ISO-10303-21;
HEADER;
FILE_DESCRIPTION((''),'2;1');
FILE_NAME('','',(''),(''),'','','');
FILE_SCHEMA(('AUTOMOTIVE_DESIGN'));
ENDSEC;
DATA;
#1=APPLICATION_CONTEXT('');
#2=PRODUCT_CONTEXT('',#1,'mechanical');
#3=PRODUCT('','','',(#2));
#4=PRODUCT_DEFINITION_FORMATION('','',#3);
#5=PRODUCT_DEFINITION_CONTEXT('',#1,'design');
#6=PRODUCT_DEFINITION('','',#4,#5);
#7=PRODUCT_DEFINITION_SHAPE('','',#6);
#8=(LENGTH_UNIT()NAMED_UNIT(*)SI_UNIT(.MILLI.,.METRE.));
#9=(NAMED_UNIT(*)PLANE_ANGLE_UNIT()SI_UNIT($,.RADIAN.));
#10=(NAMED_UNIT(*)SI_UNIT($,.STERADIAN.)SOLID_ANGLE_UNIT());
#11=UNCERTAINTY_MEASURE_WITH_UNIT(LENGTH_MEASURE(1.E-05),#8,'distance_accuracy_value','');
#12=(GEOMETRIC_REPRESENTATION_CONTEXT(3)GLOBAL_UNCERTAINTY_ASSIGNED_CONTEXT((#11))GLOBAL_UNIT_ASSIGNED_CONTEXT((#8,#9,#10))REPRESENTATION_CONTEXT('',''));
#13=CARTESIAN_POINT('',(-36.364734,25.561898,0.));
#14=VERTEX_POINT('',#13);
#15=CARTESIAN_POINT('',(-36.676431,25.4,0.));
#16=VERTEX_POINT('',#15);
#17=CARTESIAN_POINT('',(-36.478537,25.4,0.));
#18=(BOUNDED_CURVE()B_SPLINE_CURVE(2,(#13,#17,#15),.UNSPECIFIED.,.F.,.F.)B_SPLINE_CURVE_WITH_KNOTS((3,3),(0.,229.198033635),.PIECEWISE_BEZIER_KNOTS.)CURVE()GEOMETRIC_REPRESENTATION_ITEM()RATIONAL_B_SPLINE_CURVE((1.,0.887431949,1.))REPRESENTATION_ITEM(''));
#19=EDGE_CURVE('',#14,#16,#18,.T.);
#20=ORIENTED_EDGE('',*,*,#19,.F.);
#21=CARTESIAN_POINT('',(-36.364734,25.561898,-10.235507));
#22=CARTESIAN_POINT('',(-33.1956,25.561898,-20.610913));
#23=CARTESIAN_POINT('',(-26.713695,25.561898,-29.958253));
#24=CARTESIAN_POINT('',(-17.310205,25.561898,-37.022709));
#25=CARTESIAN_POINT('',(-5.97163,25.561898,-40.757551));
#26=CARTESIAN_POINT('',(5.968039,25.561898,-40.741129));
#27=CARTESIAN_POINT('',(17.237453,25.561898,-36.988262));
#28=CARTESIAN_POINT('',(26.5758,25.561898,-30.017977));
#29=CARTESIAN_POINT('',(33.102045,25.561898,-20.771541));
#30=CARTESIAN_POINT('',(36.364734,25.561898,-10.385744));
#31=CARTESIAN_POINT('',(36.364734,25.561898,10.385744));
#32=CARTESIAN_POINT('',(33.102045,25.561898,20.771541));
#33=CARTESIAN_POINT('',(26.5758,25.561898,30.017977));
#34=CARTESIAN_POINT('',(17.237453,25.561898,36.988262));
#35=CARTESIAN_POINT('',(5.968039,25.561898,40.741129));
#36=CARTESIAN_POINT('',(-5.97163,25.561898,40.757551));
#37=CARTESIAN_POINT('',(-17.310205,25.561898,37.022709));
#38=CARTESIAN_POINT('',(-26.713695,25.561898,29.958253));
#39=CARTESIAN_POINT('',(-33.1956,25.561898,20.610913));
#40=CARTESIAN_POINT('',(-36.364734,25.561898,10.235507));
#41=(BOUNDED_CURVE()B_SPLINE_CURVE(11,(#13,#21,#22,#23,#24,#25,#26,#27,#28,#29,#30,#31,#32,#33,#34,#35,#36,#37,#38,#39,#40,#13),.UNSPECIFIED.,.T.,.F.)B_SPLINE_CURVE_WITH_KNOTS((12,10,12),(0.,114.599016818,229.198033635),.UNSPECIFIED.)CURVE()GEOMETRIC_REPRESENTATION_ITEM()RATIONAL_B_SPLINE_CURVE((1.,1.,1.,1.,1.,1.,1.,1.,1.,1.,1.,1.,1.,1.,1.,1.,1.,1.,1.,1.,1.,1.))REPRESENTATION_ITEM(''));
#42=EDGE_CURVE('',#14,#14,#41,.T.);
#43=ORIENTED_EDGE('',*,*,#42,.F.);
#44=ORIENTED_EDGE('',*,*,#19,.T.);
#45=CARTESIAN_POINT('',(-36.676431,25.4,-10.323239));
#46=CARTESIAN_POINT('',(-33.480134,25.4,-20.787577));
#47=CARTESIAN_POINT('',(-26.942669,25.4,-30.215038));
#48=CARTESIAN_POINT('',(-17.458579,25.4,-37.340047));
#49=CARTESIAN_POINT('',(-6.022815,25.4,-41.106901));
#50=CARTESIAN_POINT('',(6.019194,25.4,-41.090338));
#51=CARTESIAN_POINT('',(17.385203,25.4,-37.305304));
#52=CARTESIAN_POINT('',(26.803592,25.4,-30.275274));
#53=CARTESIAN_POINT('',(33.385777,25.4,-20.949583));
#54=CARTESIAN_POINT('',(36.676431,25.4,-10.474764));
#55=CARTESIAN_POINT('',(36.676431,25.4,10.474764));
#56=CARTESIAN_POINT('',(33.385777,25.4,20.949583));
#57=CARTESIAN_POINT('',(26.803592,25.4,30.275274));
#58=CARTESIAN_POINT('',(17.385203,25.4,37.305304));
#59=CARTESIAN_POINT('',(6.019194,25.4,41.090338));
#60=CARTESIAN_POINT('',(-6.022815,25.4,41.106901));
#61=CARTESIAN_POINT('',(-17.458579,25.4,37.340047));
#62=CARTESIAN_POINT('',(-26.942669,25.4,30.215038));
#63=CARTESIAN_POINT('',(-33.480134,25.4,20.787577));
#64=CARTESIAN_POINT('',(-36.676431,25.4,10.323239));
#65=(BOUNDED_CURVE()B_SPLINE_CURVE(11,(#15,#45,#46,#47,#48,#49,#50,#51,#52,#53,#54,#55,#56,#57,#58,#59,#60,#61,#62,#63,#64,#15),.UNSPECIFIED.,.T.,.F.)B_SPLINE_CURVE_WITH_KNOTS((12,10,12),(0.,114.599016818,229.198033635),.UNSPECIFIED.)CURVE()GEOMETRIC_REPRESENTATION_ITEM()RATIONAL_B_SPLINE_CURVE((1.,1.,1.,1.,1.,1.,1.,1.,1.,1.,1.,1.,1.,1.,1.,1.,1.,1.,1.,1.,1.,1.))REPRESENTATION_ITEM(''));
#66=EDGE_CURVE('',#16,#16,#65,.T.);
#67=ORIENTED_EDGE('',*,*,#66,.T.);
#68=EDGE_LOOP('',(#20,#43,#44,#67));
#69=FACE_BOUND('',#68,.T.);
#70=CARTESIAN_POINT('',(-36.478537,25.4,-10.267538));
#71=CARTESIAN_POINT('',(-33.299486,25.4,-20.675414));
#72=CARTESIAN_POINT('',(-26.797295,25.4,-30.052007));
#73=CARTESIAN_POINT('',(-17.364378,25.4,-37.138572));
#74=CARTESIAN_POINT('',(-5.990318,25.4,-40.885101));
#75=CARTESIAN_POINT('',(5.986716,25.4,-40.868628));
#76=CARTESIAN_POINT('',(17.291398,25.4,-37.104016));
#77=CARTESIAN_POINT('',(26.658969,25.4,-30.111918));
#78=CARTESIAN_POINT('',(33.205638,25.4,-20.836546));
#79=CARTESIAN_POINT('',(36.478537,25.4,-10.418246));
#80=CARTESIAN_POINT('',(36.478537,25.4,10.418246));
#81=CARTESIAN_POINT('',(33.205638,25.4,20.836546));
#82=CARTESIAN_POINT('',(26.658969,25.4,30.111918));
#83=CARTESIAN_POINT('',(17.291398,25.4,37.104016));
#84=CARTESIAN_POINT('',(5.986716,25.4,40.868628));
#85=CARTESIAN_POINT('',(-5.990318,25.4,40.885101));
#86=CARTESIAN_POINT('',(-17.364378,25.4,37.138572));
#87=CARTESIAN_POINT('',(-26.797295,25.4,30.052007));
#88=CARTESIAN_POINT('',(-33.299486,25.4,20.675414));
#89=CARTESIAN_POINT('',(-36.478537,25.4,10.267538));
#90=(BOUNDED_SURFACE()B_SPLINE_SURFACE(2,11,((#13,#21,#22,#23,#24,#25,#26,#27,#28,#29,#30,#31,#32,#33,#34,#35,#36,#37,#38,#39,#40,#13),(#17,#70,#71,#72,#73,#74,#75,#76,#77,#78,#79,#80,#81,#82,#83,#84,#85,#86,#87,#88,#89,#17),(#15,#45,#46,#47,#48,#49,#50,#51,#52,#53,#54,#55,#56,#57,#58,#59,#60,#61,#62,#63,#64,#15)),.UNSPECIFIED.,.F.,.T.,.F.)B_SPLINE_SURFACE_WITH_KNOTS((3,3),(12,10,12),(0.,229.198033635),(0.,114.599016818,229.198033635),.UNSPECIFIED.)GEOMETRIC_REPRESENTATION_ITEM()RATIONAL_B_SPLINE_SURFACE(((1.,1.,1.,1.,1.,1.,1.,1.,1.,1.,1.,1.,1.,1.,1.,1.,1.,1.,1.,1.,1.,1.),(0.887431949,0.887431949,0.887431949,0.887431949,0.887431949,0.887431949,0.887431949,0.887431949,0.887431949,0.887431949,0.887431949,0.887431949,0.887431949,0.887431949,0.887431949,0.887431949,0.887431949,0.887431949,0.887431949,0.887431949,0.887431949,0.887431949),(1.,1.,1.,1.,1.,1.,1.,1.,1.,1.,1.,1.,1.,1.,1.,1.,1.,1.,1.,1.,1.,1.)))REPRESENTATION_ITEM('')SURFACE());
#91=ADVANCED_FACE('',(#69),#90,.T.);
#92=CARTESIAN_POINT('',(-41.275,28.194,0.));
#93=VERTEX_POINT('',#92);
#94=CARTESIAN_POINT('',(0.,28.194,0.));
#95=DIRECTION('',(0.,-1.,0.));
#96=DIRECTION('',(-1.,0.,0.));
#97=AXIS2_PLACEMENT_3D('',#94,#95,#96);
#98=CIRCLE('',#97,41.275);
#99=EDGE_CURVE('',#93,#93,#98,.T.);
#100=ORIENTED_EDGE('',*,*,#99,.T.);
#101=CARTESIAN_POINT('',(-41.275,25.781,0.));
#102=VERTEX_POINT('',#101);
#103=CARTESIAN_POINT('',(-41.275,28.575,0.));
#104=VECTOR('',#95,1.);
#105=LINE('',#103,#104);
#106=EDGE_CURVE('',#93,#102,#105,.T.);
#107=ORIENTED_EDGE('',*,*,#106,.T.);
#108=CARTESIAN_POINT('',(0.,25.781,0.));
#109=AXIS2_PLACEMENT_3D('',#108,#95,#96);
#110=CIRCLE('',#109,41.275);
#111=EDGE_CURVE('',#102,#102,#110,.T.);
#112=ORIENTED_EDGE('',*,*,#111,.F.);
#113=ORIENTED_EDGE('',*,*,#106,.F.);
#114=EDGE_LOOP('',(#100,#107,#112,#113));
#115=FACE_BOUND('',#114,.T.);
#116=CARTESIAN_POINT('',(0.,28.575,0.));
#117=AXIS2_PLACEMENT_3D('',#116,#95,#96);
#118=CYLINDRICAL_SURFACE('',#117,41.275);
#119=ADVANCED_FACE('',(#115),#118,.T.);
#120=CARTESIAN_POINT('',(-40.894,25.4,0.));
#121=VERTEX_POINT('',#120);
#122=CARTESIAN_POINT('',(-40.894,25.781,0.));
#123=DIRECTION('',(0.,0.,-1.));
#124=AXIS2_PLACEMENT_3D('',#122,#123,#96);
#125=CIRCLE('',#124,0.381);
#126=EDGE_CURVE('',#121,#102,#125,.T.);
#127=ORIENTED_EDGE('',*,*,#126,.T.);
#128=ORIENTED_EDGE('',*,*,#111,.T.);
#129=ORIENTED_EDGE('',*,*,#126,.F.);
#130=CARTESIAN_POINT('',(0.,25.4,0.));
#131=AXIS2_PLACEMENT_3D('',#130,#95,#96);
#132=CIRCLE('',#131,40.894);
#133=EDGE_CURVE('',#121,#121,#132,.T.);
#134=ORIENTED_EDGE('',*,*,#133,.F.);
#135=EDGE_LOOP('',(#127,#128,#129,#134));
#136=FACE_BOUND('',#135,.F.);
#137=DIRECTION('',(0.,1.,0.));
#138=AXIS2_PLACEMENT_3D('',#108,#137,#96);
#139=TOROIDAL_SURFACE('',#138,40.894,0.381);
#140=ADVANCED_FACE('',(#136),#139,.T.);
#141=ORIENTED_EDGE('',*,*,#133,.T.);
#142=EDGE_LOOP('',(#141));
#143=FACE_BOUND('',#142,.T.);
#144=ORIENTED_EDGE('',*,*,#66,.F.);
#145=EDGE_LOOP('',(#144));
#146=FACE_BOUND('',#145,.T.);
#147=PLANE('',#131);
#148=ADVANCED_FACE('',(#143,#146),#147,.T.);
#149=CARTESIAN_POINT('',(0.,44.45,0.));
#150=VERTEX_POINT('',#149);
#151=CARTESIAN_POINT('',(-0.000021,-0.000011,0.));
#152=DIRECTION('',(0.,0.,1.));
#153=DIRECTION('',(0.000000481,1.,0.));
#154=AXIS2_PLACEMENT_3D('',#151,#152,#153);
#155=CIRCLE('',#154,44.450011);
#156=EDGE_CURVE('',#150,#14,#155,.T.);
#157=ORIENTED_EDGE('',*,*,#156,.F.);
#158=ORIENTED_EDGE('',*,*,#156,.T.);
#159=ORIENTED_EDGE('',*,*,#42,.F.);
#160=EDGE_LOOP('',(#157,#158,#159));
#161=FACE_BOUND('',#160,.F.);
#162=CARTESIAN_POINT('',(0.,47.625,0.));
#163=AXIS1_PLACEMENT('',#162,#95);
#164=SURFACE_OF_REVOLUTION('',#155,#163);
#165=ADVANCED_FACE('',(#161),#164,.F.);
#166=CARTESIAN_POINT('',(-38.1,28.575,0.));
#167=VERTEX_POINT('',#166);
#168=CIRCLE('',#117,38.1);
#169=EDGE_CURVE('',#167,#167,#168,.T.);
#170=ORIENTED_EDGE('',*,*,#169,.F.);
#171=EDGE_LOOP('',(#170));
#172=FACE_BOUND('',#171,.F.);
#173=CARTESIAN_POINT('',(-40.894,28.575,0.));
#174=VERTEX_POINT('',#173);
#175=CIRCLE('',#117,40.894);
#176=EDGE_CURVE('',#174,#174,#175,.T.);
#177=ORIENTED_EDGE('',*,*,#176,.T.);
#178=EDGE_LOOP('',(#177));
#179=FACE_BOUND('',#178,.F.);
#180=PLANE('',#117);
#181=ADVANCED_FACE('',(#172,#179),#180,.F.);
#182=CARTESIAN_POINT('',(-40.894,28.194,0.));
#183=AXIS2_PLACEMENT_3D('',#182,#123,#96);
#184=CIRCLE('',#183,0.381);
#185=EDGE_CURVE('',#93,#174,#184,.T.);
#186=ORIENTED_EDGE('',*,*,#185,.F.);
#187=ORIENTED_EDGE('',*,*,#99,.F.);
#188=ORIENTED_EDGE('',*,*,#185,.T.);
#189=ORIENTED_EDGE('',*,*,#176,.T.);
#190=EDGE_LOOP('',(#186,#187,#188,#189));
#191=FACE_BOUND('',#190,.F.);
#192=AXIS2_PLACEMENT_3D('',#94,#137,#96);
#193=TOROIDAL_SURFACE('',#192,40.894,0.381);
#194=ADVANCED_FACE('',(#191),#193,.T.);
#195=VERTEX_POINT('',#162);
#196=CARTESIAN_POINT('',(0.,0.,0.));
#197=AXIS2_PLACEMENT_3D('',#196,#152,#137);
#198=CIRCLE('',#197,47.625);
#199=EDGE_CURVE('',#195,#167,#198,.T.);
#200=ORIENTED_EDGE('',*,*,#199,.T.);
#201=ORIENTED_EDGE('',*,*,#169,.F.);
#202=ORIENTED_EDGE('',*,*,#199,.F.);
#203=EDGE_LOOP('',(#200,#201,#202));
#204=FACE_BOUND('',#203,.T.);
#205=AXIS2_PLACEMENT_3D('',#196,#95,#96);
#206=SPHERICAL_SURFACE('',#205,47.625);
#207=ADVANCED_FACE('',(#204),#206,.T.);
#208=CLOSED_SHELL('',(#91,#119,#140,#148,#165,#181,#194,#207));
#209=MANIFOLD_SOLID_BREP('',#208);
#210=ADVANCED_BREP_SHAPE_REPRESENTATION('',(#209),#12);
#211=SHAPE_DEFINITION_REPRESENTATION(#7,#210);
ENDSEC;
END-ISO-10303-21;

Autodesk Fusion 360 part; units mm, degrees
sketch "Sketch1" plane through (0, 0, 0) normal (0, 0, 1) x (1, 0, 0)
  arc A0 (0, 47.625) -> (-38.1, 28.575) centre (0, 0) ccw
  line L0 (-41.275, 28.575) -> (-41.275, 25.4)
  line L1 (-41.275, 28.575) -> (-38.1, 28.575)
  line L2 (-41.275, 25.4) -> (-36.478, 25.4)
  line L3 (0, 47.625) -> (0, 44.45)
  arc A1 (0, 44.45) -> (-36.478, 25.4) centre (0, 0) ccw
  dimension "d3" = 3.175
revolve "Revolve1" add sketch "Sketch1" angle 360 about axis through (0, 47.625, 0) along (0, -1, 0)
fillet "Fillet1" radius 0.381 3 edges at (-38.4818, 25.4, 14.9257) (-38.4818, 28.575, 14.9257) (-34.0094, 25.4, 13.191)
